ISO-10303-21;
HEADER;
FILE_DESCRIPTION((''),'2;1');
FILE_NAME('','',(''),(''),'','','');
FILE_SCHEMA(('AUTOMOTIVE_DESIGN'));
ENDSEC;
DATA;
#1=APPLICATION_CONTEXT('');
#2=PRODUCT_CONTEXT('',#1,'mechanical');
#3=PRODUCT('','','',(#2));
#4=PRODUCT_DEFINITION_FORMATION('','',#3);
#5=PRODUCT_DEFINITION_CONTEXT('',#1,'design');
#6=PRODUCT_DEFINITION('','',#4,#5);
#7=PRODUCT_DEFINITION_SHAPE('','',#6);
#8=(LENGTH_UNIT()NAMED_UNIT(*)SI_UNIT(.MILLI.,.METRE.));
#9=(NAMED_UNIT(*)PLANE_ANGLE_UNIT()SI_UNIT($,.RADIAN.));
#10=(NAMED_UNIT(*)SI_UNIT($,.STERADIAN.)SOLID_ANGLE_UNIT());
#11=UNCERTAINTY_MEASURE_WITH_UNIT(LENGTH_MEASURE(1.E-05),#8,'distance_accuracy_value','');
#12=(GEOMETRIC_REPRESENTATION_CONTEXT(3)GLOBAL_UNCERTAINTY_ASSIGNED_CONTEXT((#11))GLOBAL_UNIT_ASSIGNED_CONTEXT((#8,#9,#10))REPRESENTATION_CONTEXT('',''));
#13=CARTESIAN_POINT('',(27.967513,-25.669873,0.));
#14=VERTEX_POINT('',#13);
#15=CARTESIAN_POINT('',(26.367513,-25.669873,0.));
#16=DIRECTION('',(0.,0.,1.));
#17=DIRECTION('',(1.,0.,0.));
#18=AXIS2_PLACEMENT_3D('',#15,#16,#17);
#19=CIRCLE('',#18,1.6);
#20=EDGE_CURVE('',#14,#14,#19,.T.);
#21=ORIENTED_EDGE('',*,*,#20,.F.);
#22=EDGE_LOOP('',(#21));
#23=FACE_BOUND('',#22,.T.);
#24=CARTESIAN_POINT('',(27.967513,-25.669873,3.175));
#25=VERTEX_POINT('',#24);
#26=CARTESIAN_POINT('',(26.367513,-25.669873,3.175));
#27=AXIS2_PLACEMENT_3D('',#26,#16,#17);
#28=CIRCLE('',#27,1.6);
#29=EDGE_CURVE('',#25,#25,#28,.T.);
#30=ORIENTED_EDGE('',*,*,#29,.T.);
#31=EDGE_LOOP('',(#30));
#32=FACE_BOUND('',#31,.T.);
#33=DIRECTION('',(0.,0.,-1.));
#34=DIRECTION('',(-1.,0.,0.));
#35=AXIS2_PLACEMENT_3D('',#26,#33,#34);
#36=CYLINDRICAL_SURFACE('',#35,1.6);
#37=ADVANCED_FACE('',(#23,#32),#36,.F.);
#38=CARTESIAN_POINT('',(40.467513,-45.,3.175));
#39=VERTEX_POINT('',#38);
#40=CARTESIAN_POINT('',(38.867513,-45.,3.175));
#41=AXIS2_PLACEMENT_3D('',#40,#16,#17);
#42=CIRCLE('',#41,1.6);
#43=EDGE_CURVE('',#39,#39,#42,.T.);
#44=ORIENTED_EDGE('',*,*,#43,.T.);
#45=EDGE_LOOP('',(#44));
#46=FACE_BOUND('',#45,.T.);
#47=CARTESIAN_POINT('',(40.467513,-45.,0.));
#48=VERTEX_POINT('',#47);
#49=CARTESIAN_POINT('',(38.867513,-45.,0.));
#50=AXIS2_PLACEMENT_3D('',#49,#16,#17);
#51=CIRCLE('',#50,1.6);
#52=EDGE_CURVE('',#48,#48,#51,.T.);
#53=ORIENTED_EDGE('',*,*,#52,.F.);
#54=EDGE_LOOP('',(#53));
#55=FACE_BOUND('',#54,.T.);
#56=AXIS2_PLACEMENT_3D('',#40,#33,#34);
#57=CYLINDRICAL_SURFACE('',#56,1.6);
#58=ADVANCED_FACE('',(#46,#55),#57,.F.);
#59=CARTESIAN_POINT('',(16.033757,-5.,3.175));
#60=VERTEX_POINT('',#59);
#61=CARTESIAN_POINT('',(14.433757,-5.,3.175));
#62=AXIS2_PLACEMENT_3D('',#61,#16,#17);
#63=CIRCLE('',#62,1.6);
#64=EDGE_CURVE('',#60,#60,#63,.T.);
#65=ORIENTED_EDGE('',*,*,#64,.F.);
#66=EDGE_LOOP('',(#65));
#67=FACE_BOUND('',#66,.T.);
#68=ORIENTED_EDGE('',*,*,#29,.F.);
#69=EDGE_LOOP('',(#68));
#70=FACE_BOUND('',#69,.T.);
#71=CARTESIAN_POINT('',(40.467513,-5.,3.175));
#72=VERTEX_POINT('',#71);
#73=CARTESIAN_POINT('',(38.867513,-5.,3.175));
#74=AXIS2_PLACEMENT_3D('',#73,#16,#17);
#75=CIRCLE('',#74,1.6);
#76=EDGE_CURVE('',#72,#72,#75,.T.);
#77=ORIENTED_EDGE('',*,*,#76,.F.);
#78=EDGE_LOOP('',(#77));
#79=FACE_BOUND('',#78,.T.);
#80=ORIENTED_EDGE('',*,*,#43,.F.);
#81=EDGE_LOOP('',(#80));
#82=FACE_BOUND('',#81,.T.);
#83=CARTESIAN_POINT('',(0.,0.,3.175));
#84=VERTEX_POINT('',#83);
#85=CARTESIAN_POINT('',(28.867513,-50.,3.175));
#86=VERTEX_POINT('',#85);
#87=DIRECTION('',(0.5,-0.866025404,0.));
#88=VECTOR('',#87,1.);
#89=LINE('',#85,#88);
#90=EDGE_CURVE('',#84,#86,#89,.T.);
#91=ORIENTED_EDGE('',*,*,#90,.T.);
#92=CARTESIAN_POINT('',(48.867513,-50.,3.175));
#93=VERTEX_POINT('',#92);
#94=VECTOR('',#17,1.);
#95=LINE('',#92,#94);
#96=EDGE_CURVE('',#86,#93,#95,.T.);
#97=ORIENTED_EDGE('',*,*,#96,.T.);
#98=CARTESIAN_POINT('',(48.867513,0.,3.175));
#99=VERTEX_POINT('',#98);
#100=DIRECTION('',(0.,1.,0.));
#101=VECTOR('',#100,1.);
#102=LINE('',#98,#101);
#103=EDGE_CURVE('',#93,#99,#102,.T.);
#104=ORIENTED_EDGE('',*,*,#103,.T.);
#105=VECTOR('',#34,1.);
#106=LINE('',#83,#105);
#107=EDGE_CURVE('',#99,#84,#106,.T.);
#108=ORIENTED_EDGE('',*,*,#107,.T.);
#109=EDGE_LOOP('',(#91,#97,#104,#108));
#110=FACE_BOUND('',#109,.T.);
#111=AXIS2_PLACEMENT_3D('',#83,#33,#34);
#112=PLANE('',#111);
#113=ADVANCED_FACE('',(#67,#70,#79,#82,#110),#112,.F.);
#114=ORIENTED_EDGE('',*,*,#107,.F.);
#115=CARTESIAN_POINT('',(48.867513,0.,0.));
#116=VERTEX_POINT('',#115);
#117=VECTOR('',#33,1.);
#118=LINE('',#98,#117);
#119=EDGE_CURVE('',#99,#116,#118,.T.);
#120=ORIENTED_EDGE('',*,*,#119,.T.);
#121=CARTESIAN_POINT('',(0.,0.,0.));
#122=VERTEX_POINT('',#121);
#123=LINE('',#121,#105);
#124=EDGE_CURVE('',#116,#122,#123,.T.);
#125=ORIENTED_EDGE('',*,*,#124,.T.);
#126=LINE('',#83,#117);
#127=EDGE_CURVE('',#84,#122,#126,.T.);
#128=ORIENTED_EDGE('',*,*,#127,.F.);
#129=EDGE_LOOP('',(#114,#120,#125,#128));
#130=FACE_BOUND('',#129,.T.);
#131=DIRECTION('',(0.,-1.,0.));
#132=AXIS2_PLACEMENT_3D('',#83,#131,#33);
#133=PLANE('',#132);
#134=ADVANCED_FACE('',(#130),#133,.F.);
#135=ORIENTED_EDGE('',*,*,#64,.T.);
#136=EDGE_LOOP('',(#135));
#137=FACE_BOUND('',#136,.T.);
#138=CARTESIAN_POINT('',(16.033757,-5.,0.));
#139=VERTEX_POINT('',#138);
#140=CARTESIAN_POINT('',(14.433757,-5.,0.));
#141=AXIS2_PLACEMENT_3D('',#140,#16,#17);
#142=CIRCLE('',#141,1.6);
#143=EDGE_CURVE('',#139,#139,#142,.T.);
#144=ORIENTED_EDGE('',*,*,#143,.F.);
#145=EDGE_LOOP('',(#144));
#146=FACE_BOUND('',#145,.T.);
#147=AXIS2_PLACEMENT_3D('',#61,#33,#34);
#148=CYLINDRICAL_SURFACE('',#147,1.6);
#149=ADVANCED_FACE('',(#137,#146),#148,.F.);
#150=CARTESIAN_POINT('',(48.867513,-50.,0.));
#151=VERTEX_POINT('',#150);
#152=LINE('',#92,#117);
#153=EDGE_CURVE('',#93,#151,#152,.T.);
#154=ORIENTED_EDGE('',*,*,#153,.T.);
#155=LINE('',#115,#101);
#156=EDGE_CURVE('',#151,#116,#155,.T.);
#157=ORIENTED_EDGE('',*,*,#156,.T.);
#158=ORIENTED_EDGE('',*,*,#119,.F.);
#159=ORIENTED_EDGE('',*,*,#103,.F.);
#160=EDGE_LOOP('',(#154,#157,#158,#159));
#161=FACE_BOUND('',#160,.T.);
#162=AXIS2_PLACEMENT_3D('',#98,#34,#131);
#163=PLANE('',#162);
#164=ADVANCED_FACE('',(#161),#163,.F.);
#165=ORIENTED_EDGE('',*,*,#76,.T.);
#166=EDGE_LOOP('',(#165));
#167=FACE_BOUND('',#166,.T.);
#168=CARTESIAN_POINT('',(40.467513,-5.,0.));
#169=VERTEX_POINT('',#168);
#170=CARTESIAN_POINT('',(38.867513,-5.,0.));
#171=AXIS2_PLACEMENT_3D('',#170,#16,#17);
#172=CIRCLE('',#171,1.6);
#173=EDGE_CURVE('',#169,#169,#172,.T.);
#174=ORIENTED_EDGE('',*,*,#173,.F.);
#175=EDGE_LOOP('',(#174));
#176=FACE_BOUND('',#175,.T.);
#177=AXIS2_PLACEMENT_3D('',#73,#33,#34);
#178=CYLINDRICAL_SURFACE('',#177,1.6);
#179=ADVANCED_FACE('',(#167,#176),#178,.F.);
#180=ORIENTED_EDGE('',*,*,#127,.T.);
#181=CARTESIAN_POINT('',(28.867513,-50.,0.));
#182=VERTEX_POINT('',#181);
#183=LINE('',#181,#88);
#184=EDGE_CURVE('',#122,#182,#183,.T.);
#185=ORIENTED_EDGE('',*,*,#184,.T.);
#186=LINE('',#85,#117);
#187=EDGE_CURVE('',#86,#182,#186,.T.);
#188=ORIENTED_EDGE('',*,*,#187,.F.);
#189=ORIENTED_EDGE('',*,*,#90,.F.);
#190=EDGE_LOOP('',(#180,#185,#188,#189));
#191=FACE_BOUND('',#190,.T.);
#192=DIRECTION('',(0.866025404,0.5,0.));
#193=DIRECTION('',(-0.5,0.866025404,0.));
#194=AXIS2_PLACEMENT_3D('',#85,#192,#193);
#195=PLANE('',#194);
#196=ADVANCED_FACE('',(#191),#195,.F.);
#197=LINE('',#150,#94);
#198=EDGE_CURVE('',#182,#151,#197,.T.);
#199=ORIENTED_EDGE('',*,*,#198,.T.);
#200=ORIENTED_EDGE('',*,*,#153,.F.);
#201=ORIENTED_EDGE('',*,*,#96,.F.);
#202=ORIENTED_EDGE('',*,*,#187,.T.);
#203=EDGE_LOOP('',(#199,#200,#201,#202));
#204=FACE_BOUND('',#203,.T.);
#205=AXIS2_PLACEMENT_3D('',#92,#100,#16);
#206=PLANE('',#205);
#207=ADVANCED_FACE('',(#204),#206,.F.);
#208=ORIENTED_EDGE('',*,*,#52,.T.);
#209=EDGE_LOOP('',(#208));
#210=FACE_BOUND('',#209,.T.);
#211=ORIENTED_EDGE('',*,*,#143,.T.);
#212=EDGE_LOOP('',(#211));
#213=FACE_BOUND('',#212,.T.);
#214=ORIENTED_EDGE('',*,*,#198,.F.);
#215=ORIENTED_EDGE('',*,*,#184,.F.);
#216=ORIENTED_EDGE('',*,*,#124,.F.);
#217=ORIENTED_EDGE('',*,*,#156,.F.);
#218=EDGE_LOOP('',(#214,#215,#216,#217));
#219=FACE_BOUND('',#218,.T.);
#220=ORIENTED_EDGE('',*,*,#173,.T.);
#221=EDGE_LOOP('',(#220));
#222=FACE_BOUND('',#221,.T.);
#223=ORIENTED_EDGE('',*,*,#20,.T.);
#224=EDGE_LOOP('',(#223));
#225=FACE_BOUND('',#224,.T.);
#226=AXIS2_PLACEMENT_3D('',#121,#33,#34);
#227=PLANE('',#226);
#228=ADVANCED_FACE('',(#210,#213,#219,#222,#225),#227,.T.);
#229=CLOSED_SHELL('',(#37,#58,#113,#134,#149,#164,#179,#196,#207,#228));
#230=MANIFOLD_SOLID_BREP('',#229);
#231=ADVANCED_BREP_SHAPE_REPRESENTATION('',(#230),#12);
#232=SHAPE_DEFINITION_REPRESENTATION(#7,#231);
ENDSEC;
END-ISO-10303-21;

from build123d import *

# Parameters (mm, degrees)
SKETCH1_R           = 1.6
BOSS_EXTRUDE1_DEPTH = 3.175


with BuildPart() as part:
    # Sketch1 → Boss-Extrude1 (new body)
    with BuildSketch(Plane.XY):
        Polygon((0, 0), (48.867513459, 0), (48.867513459, -50), (28.867513459, -50), align=None)
        with Locations((38.867513459, -5)):
            Circle(SKETCH1_R, mode=Mode.SUBTRACT)
        with Locations((38.867513459, -45)):
            Circle(SKETCH1_R, mode=Mode.SUBTRACT)
        with Locations((14.43375673, -5)):
            Circle(SKETCH1_R, mode=Mode.SUBTRACT)
        with Locations((26.367513459, -25.669872981)):
            Circle(SKETCH1_R, mode=Mode.SUBTRACT)
    extrude(amount=BOSS_EXTRUDE1_DEPTH)


solid = part.part
